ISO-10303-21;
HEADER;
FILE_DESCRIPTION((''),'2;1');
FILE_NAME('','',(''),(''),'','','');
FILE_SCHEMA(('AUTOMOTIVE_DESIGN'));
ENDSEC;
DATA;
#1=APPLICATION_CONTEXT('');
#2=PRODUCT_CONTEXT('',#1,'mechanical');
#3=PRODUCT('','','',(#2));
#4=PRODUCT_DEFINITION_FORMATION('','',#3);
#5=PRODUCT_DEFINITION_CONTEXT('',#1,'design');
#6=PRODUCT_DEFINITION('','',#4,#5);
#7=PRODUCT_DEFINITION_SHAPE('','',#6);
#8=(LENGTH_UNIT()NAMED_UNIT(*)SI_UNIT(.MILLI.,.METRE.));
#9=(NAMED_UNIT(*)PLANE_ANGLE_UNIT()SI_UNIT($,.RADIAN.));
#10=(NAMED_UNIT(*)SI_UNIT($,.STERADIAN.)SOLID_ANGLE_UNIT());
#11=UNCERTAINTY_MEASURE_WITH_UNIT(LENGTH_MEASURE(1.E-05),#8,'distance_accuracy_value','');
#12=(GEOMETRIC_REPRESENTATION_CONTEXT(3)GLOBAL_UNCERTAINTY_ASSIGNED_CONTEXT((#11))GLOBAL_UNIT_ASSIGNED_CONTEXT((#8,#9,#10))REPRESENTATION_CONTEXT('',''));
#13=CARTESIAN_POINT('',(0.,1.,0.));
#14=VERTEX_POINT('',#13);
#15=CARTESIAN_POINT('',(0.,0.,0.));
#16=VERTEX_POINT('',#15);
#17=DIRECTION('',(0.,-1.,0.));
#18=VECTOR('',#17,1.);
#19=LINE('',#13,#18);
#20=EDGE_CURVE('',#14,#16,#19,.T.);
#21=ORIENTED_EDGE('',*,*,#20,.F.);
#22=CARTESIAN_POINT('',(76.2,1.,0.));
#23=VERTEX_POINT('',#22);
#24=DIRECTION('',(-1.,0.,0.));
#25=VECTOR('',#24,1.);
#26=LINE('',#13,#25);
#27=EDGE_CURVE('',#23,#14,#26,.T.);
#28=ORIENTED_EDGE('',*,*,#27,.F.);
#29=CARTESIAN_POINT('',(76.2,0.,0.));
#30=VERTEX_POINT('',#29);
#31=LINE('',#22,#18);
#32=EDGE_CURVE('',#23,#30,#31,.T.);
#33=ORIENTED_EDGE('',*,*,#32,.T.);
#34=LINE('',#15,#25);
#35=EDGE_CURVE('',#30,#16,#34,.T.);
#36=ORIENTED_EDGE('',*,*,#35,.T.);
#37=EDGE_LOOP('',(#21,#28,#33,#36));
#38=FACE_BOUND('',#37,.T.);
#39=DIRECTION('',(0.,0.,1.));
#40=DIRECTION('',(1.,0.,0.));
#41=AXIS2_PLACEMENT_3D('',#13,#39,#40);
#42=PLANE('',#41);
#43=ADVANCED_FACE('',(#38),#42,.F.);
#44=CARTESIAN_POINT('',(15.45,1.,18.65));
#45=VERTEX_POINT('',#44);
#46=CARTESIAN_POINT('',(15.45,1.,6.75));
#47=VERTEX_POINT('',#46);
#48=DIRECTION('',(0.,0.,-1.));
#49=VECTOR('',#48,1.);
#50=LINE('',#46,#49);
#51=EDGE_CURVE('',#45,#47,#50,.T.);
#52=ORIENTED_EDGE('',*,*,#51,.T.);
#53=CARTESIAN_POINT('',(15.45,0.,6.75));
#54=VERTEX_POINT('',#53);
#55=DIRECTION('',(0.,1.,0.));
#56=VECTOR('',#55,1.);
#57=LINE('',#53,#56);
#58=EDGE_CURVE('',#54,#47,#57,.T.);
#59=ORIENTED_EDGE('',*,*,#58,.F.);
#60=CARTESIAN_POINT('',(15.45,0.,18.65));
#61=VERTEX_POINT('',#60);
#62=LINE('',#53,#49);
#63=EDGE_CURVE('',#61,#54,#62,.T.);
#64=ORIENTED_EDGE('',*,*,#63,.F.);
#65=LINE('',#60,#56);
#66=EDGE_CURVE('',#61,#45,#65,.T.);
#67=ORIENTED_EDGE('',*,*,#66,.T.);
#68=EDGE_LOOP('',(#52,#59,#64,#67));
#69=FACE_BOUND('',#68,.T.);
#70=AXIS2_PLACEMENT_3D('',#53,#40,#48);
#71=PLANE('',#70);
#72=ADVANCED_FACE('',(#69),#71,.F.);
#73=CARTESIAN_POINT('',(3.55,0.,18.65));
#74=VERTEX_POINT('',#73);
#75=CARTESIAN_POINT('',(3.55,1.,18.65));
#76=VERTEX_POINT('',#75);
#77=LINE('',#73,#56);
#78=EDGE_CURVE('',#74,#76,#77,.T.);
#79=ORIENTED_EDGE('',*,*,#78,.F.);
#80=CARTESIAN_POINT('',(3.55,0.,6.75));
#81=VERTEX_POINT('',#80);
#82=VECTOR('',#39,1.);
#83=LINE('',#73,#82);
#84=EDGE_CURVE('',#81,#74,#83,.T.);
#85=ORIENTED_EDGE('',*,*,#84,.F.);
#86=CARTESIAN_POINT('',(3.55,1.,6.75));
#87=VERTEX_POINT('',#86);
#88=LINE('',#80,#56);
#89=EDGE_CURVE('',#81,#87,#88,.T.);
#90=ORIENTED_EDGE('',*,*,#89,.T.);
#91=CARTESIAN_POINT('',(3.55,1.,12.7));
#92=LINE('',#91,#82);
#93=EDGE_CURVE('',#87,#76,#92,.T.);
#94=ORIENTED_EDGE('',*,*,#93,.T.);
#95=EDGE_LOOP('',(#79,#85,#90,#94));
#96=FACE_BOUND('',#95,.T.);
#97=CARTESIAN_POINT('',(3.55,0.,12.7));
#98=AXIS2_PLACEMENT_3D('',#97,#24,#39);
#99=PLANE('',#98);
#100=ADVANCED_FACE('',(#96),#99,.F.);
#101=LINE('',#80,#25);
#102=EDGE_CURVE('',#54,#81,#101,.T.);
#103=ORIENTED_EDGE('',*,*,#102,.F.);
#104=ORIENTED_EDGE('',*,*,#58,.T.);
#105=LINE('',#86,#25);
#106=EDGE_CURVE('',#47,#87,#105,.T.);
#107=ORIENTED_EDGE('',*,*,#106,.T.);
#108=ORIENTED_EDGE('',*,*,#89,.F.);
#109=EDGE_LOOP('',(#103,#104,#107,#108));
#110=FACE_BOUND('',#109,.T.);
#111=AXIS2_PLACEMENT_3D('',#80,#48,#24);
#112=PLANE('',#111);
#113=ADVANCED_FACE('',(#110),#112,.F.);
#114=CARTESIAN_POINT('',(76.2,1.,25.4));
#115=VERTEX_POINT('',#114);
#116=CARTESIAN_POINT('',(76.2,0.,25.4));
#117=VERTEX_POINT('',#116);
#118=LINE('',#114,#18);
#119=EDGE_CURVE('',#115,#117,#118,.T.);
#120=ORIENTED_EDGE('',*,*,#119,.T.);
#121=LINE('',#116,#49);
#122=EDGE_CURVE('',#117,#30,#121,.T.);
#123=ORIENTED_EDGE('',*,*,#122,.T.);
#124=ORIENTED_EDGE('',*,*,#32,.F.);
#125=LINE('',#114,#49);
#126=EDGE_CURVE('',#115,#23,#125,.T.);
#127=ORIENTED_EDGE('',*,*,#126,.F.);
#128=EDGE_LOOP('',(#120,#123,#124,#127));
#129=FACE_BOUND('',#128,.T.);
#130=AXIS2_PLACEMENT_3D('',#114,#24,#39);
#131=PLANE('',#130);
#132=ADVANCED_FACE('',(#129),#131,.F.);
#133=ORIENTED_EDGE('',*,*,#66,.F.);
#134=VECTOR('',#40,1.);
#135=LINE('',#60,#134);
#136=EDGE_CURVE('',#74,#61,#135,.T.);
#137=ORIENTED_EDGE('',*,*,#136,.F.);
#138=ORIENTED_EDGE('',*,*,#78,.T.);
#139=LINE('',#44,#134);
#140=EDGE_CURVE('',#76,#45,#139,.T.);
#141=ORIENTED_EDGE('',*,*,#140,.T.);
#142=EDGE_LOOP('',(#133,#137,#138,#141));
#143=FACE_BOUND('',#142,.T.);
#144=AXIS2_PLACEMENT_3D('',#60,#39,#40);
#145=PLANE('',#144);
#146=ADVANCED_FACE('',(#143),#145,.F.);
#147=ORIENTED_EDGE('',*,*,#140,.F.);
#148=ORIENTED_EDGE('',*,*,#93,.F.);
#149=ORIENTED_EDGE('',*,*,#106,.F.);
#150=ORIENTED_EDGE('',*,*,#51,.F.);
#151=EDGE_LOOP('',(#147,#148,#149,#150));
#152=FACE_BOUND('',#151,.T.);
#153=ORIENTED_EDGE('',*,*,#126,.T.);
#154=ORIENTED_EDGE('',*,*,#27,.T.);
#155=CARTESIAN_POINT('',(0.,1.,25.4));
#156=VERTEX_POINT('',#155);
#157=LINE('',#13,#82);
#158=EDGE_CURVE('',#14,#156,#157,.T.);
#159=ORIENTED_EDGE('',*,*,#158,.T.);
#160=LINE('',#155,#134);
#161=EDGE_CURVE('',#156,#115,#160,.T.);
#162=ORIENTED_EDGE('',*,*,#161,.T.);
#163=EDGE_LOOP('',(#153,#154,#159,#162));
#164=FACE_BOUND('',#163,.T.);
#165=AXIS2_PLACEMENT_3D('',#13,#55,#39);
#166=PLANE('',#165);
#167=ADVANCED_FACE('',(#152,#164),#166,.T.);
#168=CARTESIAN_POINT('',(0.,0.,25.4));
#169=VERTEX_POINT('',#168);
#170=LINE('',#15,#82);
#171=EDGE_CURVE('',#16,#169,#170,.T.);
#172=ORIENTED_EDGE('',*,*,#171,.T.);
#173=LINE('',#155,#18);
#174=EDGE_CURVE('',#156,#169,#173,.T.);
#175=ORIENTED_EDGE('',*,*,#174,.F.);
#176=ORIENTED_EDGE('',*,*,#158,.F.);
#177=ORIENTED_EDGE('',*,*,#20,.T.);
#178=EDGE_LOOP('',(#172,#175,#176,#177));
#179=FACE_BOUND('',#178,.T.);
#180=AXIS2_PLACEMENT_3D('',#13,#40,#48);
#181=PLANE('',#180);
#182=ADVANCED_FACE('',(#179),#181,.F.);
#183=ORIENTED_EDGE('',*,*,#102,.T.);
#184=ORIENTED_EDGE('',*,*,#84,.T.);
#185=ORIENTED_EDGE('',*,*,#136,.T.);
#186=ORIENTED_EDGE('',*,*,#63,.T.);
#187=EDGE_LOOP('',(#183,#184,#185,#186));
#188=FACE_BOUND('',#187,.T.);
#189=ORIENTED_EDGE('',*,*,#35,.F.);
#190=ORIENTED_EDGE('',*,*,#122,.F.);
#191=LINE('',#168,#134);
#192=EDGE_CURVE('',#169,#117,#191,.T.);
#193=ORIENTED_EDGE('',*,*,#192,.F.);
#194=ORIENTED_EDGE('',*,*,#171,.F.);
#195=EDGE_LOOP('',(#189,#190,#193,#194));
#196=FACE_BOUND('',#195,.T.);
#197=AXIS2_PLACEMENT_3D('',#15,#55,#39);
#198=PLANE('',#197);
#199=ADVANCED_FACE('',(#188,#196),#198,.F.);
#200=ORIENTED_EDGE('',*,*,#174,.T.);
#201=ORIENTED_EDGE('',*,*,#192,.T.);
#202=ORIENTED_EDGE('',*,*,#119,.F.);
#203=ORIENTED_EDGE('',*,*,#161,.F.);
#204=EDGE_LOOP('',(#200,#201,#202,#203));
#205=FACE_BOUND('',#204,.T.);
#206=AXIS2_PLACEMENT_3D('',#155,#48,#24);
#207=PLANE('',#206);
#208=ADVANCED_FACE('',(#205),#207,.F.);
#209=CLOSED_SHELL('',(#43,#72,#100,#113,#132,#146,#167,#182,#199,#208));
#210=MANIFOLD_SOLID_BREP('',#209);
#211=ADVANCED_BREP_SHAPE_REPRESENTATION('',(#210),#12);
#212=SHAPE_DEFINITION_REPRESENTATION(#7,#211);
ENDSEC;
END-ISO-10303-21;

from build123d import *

# Parameters (mm, degrees)
SKETCH_1_W          = 76.2
SKETCH_1_H          = 25.4
EXTRUDE_1_DEPTH     = 1
CUT_EXTRUDE_1_DEPTH = 1


with BuildPart() as part:
    # 草图1 → 凸台-拉伸1 (new body)
    with BuildSketch(Plane(origin=(0, 0, 0), x_dir=(1, 0, 0), z_dir=(0, 1, 0))):
        with Locations((38.1, -12.7)):
            Rectangle(SKETCH_1_W, SKETCH_1_H)
    extrude(amount=EXTRUDE_1_DEPTH)

    # 草图2 → 切除-拉伸1 (cut)
    with BuildSketch(Plane(origin=(0, 1, 0), x_dir=(1, 0, 0), z_dir=(0, 1, 0))):
        Polygon((3.55, -12.7), (3.55, -6.75), (15.45, -6.75), (15.45, -18.65), (3.55, -18.65), align=None)
    extrude(amount=-CUT_EXTRUDE_1_DEPTH, mode=Mode.SUBTRACT)


solid = part.part
